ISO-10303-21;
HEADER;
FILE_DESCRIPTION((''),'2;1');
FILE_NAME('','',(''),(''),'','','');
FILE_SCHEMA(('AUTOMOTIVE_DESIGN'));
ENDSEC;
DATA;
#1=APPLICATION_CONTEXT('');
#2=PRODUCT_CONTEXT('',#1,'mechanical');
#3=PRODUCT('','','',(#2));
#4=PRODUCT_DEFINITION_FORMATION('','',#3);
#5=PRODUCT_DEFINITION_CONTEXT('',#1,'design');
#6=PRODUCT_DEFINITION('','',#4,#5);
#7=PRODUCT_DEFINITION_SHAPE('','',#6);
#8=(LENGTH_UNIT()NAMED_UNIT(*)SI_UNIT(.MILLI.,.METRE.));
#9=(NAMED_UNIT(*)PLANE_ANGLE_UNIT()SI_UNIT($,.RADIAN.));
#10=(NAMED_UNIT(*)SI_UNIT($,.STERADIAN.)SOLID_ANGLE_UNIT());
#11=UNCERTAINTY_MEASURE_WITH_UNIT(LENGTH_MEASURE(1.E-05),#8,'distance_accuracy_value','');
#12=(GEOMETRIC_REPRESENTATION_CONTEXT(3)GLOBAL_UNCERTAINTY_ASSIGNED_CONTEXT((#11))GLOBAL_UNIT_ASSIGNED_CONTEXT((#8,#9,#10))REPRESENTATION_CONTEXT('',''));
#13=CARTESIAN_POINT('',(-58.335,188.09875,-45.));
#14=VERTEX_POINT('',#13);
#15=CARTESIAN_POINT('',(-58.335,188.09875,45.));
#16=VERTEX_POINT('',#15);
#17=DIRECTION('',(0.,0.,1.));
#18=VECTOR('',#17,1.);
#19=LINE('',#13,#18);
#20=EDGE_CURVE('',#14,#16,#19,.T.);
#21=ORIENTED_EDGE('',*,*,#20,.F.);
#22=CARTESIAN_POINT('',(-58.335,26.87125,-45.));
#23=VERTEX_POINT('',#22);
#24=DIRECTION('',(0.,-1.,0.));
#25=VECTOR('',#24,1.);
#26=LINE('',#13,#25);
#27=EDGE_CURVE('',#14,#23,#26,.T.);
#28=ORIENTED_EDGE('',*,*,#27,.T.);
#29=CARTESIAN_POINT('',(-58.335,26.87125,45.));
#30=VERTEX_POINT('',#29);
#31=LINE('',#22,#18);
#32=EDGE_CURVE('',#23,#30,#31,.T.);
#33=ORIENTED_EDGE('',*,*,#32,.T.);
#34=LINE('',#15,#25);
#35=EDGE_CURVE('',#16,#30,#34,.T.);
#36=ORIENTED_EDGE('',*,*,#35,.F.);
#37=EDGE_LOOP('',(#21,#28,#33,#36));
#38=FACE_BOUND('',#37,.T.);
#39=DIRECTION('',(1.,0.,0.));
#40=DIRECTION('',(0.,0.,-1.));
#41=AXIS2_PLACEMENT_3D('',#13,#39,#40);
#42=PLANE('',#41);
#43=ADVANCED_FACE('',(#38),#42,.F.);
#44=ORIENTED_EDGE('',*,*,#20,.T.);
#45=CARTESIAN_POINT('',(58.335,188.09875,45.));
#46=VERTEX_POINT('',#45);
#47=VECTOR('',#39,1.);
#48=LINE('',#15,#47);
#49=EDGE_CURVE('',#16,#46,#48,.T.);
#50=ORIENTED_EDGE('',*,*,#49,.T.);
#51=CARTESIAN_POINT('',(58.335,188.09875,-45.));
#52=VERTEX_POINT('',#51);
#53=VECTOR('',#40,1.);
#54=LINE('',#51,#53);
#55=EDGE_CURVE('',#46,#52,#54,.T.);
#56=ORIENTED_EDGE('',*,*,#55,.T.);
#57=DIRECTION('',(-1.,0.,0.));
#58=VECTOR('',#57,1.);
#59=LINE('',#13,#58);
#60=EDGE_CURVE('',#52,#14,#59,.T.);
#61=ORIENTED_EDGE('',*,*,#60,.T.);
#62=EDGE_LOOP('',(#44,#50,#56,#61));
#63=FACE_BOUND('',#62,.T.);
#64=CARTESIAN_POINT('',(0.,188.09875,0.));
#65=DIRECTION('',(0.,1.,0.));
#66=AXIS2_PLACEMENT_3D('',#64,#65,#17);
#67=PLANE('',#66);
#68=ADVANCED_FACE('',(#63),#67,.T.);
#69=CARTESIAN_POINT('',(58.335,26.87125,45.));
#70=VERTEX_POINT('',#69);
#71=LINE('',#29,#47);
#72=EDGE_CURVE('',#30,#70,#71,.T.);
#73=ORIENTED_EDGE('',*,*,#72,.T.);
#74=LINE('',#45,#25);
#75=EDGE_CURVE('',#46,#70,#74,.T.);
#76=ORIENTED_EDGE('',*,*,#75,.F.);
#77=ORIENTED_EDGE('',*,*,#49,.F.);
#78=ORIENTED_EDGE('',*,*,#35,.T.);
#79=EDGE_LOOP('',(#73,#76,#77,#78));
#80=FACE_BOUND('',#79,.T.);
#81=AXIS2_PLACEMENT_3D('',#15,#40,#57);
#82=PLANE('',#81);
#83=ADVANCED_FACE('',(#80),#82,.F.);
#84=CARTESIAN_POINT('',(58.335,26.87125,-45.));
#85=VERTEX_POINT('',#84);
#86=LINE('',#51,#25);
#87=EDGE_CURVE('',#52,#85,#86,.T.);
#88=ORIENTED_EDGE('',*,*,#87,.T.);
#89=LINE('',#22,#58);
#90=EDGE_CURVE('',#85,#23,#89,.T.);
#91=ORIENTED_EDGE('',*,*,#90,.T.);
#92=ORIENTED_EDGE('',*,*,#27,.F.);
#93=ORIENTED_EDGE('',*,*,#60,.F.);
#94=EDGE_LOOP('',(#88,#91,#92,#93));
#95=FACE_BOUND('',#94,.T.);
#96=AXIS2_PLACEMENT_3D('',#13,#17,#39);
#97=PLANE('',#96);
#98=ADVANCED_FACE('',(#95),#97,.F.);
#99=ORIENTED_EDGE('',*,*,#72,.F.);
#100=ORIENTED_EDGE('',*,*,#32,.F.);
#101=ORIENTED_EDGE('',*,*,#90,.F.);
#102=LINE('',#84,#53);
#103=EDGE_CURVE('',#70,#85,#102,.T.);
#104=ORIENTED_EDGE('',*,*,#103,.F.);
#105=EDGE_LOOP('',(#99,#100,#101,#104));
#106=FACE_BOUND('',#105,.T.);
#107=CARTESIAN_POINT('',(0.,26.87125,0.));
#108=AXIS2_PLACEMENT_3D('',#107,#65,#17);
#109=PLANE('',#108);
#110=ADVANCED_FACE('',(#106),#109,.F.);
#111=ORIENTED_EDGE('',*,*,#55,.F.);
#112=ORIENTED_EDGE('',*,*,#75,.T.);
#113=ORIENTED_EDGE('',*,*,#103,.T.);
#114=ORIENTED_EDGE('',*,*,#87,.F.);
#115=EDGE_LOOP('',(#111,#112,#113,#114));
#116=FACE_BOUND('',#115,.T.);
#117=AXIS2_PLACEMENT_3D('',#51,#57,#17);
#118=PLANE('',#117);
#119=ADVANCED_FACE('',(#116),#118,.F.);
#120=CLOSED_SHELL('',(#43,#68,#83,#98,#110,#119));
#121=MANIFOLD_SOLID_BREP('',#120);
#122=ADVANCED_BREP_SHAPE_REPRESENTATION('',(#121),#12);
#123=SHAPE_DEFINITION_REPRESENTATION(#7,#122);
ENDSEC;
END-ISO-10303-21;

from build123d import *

# Parameters (mm, degrees)
SKETCH1_W           = 155.56
SKETCH1_H           = 120
BOSS_EXTRUDE1_DEPTH = 214.97
SCALE1_SCALE        = 0.75


with BuildPart() as part:
    # Sketch1 → Boss-Extrude1 (new body)
    with BuildSketch(Plane(origin=(0, 0, 0), x_dir=(1, 0, 0), z_dir=(0, 1, 0))):
        Rectangle(SKETCH1_W, SKETCH1_H)
    extrude(amount=BOSS_EXTRUDE1_DEPTH)


with BuildPart() as part_1:
    # Scale1: scaled about (0, 107.485, 0)
    add(part.part.scale(SCALE1_SCALE).moved(Location((0, 26.87125, 0))))


solid = part_1.part
